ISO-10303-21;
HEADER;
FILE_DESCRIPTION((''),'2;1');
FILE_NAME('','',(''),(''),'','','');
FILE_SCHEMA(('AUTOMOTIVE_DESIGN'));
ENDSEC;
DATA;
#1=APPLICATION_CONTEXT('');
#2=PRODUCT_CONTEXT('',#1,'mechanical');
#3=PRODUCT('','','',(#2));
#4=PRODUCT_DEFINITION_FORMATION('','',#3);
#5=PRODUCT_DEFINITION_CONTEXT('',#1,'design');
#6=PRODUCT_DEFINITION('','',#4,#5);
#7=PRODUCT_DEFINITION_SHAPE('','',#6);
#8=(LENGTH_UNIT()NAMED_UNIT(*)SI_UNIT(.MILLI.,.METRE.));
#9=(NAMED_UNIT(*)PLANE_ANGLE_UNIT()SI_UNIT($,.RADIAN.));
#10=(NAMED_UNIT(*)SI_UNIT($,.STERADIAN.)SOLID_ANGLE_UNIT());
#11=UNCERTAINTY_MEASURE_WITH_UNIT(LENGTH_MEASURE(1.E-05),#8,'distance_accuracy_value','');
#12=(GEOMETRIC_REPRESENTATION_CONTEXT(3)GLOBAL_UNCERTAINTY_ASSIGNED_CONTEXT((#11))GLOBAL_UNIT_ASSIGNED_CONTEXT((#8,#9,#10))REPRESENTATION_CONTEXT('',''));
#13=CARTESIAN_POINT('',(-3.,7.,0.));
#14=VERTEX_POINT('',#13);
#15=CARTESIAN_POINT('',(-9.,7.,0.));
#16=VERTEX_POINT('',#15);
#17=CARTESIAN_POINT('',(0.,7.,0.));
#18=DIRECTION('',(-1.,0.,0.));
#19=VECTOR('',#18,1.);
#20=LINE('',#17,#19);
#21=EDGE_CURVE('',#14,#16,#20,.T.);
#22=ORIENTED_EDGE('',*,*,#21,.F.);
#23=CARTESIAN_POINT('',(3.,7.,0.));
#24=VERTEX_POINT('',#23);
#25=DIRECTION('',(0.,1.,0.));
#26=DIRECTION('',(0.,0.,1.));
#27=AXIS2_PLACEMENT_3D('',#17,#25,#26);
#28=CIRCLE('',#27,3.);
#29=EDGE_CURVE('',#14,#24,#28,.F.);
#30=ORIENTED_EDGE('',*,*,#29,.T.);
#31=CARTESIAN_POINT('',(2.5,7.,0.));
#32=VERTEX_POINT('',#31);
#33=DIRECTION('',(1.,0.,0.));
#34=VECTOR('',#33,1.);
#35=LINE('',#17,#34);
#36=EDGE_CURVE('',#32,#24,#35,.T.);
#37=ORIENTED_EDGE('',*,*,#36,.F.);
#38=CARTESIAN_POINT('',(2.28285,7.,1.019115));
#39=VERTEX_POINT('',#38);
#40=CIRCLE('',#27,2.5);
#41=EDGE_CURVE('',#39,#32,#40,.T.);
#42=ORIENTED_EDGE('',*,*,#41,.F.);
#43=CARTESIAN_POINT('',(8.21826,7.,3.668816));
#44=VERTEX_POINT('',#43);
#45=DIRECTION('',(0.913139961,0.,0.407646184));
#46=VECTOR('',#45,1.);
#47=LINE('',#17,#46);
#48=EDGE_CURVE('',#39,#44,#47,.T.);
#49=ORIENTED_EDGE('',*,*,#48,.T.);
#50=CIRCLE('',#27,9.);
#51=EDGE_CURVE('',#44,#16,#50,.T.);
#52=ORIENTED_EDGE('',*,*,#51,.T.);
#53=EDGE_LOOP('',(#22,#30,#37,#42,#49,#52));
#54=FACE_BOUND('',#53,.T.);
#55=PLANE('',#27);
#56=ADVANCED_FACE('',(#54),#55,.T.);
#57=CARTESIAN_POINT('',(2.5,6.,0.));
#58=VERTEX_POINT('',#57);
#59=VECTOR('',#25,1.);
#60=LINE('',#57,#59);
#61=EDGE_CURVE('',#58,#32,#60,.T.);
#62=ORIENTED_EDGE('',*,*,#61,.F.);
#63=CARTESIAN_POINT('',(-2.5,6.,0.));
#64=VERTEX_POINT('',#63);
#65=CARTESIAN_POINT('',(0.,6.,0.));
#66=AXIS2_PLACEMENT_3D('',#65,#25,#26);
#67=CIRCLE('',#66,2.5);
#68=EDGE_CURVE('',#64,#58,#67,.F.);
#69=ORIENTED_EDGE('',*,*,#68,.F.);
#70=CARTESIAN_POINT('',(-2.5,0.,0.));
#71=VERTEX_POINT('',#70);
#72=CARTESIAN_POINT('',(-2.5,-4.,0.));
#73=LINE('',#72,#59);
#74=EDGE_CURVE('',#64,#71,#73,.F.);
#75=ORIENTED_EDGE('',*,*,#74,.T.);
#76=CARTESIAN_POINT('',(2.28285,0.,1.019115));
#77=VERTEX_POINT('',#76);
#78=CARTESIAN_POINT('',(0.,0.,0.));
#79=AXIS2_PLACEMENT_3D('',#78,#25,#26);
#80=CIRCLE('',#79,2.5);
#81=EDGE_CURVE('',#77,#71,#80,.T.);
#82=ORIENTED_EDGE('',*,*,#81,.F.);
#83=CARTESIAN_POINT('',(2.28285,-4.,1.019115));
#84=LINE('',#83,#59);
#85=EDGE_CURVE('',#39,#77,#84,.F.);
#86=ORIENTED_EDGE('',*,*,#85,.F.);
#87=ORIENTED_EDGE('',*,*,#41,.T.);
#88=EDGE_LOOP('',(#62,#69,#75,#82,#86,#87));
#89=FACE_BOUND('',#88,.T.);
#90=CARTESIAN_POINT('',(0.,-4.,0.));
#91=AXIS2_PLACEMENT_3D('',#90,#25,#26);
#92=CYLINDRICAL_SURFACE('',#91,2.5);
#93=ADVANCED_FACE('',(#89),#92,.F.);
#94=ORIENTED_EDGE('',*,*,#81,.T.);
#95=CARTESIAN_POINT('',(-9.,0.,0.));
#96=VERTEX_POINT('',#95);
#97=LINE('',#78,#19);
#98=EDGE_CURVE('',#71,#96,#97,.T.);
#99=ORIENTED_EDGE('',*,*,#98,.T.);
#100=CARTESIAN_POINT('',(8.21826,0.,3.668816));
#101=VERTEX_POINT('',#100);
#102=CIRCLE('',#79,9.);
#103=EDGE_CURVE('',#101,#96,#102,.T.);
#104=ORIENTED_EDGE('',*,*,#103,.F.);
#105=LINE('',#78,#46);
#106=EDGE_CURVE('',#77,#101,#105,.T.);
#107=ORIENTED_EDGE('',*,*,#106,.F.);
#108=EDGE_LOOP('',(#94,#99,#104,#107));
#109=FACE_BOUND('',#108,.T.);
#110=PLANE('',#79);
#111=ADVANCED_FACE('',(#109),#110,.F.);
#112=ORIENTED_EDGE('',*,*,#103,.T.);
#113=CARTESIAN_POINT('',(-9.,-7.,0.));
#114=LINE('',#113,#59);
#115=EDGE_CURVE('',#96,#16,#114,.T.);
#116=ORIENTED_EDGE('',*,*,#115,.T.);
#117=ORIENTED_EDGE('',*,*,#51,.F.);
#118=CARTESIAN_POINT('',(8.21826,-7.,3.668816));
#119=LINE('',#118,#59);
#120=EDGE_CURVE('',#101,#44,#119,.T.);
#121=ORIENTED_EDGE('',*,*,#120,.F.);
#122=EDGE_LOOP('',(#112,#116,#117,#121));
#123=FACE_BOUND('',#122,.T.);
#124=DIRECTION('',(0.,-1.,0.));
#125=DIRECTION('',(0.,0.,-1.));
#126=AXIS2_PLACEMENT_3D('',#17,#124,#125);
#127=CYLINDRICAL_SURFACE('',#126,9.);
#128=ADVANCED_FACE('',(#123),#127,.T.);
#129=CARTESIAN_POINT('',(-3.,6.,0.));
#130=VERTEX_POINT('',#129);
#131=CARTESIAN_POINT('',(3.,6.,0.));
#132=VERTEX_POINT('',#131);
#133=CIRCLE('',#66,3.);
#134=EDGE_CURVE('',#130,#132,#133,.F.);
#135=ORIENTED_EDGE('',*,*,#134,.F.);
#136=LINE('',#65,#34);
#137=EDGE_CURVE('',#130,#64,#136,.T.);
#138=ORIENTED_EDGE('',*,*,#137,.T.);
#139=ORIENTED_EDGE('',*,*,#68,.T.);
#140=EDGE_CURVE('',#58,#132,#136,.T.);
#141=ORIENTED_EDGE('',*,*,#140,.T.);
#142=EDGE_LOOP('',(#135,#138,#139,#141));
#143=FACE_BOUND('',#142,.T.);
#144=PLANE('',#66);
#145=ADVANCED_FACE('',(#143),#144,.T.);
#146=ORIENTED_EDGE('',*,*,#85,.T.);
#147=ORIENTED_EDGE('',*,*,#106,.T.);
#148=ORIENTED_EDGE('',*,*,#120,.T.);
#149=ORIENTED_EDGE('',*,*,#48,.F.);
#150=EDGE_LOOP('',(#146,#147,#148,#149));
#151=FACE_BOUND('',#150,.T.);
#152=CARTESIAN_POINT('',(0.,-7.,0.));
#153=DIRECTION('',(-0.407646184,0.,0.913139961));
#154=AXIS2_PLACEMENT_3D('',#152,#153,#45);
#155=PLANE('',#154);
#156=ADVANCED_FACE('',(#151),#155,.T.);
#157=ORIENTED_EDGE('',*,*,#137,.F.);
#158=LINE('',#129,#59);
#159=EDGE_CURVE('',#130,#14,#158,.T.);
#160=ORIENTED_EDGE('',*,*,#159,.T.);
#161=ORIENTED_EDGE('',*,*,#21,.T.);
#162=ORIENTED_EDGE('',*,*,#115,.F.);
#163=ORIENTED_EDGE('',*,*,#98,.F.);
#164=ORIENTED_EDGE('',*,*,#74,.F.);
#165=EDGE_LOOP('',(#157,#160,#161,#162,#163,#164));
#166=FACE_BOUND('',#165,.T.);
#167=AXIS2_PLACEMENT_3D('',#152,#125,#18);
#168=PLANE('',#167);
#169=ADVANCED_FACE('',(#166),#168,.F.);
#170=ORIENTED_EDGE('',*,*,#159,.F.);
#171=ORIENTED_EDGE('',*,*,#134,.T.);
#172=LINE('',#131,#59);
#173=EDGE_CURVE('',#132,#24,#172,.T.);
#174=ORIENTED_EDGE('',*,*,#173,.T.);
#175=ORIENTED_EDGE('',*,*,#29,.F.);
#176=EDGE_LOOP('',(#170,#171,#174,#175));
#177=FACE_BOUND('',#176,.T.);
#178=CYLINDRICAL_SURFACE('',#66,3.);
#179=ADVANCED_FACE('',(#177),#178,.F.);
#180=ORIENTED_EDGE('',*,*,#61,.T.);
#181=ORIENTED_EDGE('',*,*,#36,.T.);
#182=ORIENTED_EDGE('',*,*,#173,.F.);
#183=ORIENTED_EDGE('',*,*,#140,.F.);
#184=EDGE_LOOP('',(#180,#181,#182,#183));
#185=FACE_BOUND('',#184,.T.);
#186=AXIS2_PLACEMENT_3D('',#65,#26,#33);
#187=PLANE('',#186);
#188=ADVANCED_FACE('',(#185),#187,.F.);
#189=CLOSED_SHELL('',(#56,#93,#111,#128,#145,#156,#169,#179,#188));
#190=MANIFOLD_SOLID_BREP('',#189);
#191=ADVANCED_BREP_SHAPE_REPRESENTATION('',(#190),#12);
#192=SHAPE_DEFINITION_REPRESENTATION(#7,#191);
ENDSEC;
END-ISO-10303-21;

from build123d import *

# Parameters (mm, degrees)
SKETCH1_R           = 9
BOSS_EXTRUDE1_DEPTH = 7
SKETCH2_R           = 2.5
CUT_EXTRUDE4_DEPTH  = 11
CUT_EXTRUDE5_START  = -14
CUT_EXTRUDE5_DEPTH  = 14
CUT_EXTRUDE6_DEPTH  = 1


with BuildPart() as part:
    # Sketch1 → Boss-Extrude1 (new body)
    with BuildSketch(Plane(origin=(0, 0, 0), x_dir=(1, 0, 0), z_dir=(0, 1, 0))):
        with Locations(Location((0, 0, 0), (0, 0, 270))):
            Circle(SKETCH1_R)
    extrude(amount=BOSS_EXTRUDE1_DEPTH)

    # Sketch2 → Cut-Extrude4 (cut)
    with BuildSketch(Plane(origin=(0, 7, 0), x_dir=(1, 0, 0), z_dir=(0, 1, 0))):
        with Locations(Location((0, 0, 0), (0, 0, 270))):
            Circle(SKETCH2_R)
    extrude(amount=-CUT_EXTRUDE4_DEPTH, mode=Mode.SUBTRACT)

    # Sketch16 → Cut-Extrude5 (cut)
    with BuildSketch(Plane(origin=(0, 7, 0), x_dir=(1, 0, 0), z_dir=(0, 1, 0)).offset(CUT_EXTRUDE5_START)):
        with BuildLine():
            Line((2.282849902, -1.019115461), (-2.5, 0))
            Line((-2.5, 0), (-9, 0))
            ThreePointArc((-9, 0), (-1.877482723, -8.801991742), (8.216679694, -3.672352761))
            ThreePointArc((8.216679694, -3.672352761), (8.217469862, -3.670584296), (8.218259648, -3.66881566))
            Line((8.218259648, -3.66881566), (2.282849902, -1.019115461))
        make_face()
    extrude(amount=CUT_EXTRUDE5_DEPTH, mode=Mode.SUBTRACT)

    # Sketch23 → Cut-Extrude6 (cut)
    with BuildSketch(Plane(origin=(0, 7, 0), x_dir=(1, 0, 0), z_dir=(0, 1, 0))):
        with BuildLine():
            ThreePointArc((3, 0), (0, 3), (-3, 0))
            Line((-3, 0), (-2.5, 0))
            ThreePointArc((-2.5, 0), (0, 2.5), (2.5, 0))
            Line((2.5, 0), (3, 0))
        make_face()
    extrude(amount=-CUT_EXTRUDE6_DEPTH, mode=Mode.SUBTRACT)


solid = part.part
